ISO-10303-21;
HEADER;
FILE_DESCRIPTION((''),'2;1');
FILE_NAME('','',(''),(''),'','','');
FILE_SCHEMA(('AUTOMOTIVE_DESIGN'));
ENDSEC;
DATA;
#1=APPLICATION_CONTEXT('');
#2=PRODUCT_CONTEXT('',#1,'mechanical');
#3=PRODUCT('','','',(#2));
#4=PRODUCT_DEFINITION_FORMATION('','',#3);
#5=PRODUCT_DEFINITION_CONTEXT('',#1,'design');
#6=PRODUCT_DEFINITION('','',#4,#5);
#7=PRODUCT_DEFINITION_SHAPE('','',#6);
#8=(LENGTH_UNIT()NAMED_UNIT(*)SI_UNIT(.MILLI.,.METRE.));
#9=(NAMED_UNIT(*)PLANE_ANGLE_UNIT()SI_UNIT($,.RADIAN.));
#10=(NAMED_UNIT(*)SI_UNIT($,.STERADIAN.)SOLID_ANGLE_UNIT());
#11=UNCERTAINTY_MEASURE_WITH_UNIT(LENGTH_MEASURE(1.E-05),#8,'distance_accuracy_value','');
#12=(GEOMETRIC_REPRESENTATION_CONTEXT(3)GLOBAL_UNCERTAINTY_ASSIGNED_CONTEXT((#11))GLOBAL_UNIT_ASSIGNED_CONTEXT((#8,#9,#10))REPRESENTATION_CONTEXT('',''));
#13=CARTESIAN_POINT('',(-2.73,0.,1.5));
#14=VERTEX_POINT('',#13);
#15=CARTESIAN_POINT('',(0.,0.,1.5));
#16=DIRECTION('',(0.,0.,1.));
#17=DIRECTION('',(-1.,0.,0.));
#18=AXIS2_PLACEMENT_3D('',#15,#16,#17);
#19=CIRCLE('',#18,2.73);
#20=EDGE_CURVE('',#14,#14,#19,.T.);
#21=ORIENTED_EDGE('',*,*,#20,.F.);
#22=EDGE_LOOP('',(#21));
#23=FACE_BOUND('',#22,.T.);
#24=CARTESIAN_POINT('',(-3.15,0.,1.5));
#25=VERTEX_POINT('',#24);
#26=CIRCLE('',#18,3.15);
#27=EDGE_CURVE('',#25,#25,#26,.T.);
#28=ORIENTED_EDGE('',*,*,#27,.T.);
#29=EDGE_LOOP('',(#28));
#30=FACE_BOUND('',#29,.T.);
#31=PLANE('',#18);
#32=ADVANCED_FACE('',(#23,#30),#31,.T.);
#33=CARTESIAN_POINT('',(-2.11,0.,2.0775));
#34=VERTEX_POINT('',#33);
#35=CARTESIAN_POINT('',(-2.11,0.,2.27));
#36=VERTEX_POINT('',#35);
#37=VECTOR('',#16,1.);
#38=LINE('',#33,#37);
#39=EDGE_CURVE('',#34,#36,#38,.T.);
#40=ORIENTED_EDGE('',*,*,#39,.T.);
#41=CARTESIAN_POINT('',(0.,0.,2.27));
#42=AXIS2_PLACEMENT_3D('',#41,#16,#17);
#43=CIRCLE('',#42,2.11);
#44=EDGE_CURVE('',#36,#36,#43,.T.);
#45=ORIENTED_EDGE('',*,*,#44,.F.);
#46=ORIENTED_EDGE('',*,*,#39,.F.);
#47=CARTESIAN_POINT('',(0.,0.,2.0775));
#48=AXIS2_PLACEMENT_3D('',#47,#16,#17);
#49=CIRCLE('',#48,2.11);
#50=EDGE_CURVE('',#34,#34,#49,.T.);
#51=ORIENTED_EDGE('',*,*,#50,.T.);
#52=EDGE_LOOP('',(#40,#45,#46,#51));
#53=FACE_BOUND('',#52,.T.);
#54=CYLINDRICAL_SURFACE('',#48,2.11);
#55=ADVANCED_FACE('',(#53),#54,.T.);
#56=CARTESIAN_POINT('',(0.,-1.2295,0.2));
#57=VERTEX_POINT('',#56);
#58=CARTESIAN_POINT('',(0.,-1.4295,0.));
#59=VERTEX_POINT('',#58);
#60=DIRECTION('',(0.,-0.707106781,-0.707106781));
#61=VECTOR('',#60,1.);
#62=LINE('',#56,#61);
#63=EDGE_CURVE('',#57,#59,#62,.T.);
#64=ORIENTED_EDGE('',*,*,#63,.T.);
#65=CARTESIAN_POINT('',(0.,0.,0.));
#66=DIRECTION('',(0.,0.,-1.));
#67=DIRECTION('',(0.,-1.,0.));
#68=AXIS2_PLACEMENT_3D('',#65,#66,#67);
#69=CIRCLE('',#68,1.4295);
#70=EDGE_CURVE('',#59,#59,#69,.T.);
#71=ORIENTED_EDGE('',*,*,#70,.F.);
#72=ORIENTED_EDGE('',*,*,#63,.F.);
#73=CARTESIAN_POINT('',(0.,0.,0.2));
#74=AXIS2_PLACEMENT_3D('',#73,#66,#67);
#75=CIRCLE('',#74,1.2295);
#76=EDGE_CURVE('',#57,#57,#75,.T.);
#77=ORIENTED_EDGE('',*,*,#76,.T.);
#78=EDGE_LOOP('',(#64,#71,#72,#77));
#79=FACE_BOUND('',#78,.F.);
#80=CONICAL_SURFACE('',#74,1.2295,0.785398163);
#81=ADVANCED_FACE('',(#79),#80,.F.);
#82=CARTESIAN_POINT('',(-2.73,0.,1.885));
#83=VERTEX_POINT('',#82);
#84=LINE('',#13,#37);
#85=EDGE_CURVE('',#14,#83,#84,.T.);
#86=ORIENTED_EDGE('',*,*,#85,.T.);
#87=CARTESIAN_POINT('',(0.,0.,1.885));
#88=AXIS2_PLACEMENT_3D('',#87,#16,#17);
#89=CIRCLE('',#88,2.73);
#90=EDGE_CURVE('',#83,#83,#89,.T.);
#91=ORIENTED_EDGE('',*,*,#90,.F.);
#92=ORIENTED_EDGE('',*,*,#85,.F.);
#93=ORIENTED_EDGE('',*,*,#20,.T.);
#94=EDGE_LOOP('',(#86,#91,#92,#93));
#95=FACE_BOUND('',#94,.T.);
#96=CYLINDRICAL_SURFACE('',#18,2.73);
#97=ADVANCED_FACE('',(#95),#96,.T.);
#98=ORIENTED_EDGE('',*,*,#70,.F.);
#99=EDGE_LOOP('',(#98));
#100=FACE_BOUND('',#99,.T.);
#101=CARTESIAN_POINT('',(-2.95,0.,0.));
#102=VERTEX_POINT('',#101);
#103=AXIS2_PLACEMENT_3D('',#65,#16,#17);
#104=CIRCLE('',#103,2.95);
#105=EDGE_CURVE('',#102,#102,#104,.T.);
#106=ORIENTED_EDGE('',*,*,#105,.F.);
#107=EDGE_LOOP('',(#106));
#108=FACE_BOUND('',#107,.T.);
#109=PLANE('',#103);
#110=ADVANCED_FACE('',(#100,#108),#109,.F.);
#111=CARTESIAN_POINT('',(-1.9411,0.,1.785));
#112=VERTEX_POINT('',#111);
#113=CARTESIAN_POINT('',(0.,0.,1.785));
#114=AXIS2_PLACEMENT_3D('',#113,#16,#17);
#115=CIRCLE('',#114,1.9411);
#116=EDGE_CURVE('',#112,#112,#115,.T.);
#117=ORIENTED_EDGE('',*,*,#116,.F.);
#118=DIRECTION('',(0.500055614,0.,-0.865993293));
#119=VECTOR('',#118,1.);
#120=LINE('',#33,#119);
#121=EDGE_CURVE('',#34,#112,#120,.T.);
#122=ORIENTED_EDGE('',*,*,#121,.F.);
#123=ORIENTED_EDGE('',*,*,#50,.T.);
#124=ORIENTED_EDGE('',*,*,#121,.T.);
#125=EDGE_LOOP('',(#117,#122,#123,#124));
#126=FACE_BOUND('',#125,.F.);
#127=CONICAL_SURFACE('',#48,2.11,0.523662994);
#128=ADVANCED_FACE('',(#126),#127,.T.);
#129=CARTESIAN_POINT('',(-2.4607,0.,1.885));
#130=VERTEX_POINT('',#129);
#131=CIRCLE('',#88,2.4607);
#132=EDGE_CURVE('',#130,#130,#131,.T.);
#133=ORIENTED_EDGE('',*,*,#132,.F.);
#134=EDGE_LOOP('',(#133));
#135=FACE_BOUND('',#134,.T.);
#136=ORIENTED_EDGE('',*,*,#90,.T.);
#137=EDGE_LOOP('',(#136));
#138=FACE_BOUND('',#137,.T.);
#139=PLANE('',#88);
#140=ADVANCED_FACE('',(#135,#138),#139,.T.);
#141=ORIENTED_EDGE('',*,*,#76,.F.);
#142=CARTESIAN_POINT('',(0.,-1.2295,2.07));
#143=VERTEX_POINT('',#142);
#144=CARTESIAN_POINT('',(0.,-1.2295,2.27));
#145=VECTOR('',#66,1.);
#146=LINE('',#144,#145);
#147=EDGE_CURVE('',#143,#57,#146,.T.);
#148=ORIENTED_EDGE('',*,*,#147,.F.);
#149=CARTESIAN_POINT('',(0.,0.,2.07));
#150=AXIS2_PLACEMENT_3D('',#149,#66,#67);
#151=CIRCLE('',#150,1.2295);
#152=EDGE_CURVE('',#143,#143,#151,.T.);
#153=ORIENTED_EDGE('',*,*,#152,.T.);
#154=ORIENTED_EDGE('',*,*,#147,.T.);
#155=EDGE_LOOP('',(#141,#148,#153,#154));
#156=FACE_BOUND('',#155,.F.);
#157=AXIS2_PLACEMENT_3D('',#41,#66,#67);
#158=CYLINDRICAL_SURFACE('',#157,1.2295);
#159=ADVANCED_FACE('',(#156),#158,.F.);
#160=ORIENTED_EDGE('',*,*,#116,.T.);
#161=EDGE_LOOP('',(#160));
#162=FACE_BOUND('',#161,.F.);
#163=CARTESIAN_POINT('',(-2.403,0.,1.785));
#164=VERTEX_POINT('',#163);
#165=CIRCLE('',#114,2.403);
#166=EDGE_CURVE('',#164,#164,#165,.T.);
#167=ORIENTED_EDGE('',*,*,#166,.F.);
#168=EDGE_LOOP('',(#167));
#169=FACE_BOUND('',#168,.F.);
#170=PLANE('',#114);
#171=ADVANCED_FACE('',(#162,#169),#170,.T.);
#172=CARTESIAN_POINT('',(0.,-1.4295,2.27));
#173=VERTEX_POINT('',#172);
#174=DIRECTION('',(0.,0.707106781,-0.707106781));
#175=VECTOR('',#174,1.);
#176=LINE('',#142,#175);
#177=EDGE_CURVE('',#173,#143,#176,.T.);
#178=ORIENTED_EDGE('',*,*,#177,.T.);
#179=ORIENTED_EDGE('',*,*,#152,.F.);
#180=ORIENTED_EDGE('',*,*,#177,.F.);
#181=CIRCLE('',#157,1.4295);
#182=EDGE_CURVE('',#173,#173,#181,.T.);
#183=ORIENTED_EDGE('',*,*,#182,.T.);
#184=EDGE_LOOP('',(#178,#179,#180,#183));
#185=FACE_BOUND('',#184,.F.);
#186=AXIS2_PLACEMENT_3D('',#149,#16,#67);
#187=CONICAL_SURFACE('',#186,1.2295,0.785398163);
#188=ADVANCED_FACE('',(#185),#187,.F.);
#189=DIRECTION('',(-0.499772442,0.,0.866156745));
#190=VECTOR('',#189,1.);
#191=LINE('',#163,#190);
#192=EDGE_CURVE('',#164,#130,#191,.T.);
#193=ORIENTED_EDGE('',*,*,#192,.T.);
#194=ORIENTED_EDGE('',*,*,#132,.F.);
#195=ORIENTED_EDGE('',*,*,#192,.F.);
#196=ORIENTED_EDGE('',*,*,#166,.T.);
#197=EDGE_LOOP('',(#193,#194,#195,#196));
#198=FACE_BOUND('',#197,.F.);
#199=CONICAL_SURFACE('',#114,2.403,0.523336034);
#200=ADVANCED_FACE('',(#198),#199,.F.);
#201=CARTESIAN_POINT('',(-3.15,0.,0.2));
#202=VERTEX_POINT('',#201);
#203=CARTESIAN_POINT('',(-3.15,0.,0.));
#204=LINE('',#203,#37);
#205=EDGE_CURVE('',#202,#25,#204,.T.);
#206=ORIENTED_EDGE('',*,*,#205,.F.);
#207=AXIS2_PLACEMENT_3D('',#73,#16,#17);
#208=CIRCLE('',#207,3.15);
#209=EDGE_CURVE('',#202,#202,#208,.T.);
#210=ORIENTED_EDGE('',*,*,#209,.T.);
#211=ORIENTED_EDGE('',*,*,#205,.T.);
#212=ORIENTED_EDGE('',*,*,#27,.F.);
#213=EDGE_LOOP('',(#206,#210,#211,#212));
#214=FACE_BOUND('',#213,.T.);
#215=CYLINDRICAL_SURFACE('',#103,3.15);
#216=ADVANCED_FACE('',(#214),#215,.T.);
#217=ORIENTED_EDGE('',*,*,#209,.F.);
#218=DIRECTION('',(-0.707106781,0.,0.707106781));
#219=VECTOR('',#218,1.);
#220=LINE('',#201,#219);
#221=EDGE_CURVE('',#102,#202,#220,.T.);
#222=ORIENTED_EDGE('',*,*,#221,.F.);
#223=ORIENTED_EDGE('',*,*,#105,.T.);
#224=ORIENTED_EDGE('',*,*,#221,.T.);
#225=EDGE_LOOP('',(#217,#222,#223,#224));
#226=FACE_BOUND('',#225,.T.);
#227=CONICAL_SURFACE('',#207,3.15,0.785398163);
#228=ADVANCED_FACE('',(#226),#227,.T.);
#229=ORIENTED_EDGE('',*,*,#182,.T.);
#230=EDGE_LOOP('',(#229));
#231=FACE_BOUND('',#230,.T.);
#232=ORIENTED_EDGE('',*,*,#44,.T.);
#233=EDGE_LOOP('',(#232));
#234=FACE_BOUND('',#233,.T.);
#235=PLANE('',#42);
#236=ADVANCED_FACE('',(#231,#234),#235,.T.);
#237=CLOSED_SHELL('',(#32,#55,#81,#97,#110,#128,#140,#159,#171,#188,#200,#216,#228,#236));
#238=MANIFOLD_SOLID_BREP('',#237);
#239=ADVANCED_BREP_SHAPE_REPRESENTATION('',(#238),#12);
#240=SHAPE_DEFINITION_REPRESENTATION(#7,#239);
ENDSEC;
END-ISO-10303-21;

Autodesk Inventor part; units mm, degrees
ref_plane "YZ Plane" through (0, 0, 0) normal (1, 0, 0) x (0, 1, 0)
ref_plane "XZ Plane" through (0, 0, 0) normal (0, 1, 0) x (-1, 0, 0)
ref_plane "XY Plane" through (0, 0, 0) normal (0, 0, 1) x (1, 0, 0)
sketch "Sketch2" plane through (0, 0, 0) normal (0, 1, 0) x (-1, 0, 0)
  line L0 (0, 0) -> (0, 2.27)
  line L1 (0, 0) -> (3.15, 0)
  line L2 (3.15, 0) -> (3.15, 1.5)
  line L3 (3.15, 1.5) -> (2.73, 1.5)
  line L4 (2.73, 1.5) -> (2.73, 1.885)
  line L5 (2.73, 1.885) -> (2.4607, 1.885)
  line L6 (2.11, 2.0775) -> (2.11, 2.27)
  line L7 (2.11, 2.27) -> (0, 2.27)
  line L8 (2.11, 2.0775) -> (1.9411, 1.785)
  line L9 (1.9411, 1.785) -> (2.403, 1.785)
  line L10 (2.403, 1.785) -> (2.4607, 1.885)
  dimension "d0" = 1.5
  dimension "d1" = 0.77
  dimension "d2" = 4.22
  dimension "d3" = 6.3
  dimension "d17" = 0.385
  dimension "d18" = 5.46
  dimension "d19" = 0.1925
  dimension "d20" = 30
  dimension "d21" = 0.1
  dimension "d23" = 0.4
revolve "Obrót1" add sketch "Sketch2" angle 360 about axis through (0, 0, 0) along (0, 0, 1)
hole "Otwór1" at (0, 0, 2.27) direction (0, 0, -1) diameter 2.459 end through all thread size "M3x0.5" class "6H" standard "ANSI Metric M Profile"
chamfer "Faza1" distance 0.2 angle 45 3 edges at (0, 1.2295, 0) (3.15, 0, 0) (0, 1.2295, 2.27)
equation "\"d14\" = C1"
equation "\"d0\" = T_"
equation "\"d1\" = A_"
equation "\"d2\" = C_"
equation "\"d3\" = E_"
equation "\"d17\" = 0.5 * A_"
equation "\"d19\" = 0.25 * A_"
equation "\"A_\" = 0.77"
equation "\"C_\" = 4.22"
equation "\"E_\" = 6.3"
equation "\"T_\" = 1.5"
equation "\"K_\" = 0.2"
equation "\"C1\" = 0.2"
equation "\"Min_Dist\" = 4.8"
equation "\"H_Size\" = 4.25"
equation "\"Min_Thick\" = 0.8"
equation "\"NND\" = 3"
equation "\"Height\" = 2.27"
properties part number "S-M3-0 ZI" material "Stal, węglowa"
